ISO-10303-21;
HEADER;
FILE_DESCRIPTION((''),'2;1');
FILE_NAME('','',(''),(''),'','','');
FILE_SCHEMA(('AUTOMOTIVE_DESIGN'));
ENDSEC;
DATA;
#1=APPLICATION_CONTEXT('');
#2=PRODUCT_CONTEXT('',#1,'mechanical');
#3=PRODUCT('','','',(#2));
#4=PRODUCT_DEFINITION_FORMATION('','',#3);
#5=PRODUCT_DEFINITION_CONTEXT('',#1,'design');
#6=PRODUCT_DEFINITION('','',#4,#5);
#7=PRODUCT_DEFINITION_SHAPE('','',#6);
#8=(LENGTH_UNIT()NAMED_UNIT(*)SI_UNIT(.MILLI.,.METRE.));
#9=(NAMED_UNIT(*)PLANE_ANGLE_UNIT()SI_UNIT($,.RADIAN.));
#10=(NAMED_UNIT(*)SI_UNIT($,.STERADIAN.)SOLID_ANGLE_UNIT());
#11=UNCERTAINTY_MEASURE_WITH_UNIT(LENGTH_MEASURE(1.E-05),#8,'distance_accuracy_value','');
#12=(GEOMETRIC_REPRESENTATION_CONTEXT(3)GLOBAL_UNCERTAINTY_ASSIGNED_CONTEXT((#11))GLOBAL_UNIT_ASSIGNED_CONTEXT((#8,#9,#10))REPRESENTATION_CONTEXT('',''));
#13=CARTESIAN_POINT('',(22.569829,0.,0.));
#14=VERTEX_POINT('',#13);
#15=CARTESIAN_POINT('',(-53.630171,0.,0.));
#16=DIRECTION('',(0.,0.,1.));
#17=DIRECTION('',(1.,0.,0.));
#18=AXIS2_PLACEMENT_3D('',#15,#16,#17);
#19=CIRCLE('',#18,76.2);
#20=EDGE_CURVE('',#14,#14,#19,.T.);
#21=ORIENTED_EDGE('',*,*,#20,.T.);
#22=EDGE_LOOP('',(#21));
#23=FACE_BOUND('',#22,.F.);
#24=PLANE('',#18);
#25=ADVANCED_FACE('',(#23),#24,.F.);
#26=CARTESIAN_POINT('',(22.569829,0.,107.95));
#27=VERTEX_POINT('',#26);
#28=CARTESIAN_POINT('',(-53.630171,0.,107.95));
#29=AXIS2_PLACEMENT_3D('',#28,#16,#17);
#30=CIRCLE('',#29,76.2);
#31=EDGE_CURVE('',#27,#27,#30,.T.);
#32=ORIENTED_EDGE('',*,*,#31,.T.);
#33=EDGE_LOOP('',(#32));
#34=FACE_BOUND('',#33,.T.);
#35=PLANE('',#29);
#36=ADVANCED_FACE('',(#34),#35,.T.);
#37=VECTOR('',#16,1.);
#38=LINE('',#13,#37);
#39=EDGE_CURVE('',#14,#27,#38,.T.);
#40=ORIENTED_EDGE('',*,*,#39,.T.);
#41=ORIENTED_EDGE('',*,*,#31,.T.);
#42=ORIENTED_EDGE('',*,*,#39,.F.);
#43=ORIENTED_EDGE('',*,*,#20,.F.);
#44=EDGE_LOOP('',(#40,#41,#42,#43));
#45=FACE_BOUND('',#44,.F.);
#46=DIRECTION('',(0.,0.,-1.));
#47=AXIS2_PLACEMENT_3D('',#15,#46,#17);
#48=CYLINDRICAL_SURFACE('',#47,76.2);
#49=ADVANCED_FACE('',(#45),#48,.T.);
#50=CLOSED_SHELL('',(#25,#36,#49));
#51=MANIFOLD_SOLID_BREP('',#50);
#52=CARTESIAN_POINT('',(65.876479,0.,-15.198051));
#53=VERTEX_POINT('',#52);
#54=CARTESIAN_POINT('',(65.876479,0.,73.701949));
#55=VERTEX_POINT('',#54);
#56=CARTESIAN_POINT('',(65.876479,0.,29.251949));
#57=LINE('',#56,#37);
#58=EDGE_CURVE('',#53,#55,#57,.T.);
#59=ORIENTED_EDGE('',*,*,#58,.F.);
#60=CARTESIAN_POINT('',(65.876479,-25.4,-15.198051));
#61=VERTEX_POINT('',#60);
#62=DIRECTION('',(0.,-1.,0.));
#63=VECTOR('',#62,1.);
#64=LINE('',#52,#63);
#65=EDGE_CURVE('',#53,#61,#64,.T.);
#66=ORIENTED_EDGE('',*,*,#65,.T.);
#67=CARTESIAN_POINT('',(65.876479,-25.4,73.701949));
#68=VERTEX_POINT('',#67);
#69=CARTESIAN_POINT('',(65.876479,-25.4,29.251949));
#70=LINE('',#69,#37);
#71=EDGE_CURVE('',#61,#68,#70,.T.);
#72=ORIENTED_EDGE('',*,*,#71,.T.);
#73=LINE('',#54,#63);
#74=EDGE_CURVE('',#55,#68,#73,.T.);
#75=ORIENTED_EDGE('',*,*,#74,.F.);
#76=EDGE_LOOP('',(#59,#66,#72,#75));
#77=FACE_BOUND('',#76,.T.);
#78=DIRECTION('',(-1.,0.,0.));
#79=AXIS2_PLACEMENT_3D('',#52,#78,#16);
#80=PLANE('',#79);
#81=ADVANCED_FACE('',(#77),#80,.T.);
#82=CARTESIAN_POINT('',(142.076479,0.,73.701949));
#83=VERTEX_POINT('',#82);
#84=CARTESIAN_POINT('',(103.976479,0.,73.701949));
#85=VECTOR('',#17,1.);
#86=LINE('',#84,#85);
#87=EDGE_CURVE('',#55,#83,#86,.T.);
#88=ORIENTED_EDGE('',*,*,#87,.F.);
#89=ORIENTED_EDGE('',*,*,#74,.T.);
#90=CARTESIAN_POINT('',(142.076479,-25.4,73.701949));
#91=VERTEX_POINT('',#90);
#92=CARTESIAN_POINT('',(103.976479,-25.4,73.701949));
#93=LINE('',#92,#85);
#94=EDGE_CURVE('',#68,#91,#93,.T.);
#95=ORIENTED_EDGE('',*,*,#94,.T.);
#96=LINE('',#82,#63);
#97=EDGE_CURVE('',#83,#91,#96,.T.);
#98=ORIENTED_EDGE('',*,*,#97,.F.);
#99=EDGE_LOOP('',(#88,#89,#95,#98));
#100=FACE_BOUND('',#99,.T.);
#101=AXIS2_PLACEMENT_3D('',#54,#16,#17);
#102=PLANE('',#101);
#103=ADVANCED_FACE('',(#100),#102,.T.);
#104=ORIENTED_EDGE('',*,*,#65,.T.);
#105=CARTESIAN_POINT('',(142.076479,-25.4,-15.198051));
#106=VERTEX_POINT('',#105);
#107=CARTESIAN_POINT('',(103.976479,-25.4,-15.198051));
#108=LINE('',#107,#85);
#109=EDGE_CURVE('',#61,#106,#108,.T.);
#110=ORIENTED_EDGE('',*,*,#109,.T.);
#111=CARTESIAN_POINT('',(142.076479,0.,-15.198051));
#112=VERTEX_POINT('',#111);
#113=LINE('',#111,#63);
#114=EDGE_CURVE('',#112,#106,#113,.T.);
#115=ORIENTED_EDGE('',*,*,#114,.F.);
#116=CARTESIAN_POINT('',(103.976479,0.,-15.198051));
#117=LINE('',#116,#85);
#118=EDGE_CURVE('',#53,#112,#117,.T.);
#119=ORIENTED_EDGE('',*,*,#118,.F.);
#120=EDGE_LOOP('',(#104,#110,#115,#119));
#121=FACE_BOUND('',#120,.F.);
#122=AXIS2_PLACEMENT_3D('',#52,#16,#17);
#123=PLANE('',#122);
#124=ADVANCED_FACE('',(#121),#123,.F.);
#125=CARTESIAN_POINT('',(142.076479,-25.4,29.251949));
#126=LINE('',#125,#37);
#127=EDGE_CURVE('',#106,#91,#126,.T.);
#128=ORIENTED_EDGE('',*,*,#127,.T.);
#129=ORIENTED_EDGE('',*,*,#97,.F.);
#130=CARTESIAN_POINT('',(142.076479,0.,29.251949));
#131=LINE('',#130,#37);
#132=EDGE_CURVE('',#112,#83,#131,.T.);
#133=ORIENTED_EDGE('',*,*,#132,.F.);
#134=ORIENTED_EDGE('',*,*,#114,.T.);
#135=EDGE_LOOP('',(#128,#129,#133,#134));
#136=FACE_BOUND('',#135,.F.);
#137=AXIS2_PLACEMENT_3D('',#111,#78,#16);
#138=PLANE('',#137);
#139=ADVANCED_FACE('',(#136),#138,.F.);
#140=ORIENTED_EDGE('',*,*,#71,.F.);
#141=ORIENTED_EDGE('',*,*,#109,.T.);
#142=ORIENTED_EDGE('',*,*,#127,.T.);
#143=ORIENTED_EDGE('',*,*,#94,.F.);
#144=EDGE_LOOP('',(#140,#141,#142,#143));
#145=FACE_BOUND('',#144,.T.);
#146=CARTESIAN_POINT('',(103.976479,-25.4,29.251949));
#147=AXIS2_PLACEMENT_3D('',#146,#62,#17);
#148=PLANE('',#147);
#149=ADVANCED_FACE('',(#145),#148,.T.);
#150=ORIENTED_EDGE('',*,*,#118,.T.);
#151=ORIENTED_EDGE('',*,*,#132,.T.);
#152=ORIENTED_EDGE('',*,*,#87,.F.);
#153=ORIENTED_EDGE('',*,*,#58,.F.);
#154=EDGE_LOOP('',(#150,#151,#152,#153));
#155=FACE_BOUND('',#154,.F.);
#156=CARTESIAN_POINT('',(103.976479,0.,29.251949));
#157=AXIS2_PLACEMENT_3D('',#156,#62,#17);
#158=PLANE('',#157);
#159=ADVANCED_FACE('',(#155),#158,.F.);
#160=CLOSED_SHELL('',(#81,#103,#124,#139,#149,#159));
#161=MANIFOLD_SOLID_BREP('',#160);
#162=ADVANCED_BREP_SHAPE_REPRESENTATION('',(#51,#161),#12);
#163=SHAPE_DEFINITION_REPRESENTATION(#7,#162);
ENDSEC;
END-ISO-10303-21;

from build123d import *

# Parameters (mm, degrees)
F0_R     = 38.5205832367
F1_DEPTH = 107.95
F3_R     = 76.2
F4_DEPTH = 107.95
F5_W     = 76.2
F5_H     = 88.9
F6_DEPTH = 25.4


with BuildPart() as f1:
    # F0 (on Top) → F1 (new body)
    with BuildSketch(Plane.XY):
        with Locations((-23.3390182257, 8.7591558695)):
            Circle(F0_R)
    extrude(amount=F1_DEPTH)


with BuildPart() as f4:
    # F3 (on Top) → F4 (new body)
    with BuildSketch(Plane.XY):
        with Locations((-53.6301706501, 0)):
            Circle(F3_R)
    extrude(amount=F4_DEPTH)


with BuildPart() as f6:
    # F5 (on Front) → F6 (new body)
    with BuildSketch(Plane.XZ):
        with Locations((103.9764787052, 29.2519489303)):
            Rectangle(F5_W, F5_H)
    extrude(amount=F6_DEPTH)


solid = Compound([f4.part, f6.part])
